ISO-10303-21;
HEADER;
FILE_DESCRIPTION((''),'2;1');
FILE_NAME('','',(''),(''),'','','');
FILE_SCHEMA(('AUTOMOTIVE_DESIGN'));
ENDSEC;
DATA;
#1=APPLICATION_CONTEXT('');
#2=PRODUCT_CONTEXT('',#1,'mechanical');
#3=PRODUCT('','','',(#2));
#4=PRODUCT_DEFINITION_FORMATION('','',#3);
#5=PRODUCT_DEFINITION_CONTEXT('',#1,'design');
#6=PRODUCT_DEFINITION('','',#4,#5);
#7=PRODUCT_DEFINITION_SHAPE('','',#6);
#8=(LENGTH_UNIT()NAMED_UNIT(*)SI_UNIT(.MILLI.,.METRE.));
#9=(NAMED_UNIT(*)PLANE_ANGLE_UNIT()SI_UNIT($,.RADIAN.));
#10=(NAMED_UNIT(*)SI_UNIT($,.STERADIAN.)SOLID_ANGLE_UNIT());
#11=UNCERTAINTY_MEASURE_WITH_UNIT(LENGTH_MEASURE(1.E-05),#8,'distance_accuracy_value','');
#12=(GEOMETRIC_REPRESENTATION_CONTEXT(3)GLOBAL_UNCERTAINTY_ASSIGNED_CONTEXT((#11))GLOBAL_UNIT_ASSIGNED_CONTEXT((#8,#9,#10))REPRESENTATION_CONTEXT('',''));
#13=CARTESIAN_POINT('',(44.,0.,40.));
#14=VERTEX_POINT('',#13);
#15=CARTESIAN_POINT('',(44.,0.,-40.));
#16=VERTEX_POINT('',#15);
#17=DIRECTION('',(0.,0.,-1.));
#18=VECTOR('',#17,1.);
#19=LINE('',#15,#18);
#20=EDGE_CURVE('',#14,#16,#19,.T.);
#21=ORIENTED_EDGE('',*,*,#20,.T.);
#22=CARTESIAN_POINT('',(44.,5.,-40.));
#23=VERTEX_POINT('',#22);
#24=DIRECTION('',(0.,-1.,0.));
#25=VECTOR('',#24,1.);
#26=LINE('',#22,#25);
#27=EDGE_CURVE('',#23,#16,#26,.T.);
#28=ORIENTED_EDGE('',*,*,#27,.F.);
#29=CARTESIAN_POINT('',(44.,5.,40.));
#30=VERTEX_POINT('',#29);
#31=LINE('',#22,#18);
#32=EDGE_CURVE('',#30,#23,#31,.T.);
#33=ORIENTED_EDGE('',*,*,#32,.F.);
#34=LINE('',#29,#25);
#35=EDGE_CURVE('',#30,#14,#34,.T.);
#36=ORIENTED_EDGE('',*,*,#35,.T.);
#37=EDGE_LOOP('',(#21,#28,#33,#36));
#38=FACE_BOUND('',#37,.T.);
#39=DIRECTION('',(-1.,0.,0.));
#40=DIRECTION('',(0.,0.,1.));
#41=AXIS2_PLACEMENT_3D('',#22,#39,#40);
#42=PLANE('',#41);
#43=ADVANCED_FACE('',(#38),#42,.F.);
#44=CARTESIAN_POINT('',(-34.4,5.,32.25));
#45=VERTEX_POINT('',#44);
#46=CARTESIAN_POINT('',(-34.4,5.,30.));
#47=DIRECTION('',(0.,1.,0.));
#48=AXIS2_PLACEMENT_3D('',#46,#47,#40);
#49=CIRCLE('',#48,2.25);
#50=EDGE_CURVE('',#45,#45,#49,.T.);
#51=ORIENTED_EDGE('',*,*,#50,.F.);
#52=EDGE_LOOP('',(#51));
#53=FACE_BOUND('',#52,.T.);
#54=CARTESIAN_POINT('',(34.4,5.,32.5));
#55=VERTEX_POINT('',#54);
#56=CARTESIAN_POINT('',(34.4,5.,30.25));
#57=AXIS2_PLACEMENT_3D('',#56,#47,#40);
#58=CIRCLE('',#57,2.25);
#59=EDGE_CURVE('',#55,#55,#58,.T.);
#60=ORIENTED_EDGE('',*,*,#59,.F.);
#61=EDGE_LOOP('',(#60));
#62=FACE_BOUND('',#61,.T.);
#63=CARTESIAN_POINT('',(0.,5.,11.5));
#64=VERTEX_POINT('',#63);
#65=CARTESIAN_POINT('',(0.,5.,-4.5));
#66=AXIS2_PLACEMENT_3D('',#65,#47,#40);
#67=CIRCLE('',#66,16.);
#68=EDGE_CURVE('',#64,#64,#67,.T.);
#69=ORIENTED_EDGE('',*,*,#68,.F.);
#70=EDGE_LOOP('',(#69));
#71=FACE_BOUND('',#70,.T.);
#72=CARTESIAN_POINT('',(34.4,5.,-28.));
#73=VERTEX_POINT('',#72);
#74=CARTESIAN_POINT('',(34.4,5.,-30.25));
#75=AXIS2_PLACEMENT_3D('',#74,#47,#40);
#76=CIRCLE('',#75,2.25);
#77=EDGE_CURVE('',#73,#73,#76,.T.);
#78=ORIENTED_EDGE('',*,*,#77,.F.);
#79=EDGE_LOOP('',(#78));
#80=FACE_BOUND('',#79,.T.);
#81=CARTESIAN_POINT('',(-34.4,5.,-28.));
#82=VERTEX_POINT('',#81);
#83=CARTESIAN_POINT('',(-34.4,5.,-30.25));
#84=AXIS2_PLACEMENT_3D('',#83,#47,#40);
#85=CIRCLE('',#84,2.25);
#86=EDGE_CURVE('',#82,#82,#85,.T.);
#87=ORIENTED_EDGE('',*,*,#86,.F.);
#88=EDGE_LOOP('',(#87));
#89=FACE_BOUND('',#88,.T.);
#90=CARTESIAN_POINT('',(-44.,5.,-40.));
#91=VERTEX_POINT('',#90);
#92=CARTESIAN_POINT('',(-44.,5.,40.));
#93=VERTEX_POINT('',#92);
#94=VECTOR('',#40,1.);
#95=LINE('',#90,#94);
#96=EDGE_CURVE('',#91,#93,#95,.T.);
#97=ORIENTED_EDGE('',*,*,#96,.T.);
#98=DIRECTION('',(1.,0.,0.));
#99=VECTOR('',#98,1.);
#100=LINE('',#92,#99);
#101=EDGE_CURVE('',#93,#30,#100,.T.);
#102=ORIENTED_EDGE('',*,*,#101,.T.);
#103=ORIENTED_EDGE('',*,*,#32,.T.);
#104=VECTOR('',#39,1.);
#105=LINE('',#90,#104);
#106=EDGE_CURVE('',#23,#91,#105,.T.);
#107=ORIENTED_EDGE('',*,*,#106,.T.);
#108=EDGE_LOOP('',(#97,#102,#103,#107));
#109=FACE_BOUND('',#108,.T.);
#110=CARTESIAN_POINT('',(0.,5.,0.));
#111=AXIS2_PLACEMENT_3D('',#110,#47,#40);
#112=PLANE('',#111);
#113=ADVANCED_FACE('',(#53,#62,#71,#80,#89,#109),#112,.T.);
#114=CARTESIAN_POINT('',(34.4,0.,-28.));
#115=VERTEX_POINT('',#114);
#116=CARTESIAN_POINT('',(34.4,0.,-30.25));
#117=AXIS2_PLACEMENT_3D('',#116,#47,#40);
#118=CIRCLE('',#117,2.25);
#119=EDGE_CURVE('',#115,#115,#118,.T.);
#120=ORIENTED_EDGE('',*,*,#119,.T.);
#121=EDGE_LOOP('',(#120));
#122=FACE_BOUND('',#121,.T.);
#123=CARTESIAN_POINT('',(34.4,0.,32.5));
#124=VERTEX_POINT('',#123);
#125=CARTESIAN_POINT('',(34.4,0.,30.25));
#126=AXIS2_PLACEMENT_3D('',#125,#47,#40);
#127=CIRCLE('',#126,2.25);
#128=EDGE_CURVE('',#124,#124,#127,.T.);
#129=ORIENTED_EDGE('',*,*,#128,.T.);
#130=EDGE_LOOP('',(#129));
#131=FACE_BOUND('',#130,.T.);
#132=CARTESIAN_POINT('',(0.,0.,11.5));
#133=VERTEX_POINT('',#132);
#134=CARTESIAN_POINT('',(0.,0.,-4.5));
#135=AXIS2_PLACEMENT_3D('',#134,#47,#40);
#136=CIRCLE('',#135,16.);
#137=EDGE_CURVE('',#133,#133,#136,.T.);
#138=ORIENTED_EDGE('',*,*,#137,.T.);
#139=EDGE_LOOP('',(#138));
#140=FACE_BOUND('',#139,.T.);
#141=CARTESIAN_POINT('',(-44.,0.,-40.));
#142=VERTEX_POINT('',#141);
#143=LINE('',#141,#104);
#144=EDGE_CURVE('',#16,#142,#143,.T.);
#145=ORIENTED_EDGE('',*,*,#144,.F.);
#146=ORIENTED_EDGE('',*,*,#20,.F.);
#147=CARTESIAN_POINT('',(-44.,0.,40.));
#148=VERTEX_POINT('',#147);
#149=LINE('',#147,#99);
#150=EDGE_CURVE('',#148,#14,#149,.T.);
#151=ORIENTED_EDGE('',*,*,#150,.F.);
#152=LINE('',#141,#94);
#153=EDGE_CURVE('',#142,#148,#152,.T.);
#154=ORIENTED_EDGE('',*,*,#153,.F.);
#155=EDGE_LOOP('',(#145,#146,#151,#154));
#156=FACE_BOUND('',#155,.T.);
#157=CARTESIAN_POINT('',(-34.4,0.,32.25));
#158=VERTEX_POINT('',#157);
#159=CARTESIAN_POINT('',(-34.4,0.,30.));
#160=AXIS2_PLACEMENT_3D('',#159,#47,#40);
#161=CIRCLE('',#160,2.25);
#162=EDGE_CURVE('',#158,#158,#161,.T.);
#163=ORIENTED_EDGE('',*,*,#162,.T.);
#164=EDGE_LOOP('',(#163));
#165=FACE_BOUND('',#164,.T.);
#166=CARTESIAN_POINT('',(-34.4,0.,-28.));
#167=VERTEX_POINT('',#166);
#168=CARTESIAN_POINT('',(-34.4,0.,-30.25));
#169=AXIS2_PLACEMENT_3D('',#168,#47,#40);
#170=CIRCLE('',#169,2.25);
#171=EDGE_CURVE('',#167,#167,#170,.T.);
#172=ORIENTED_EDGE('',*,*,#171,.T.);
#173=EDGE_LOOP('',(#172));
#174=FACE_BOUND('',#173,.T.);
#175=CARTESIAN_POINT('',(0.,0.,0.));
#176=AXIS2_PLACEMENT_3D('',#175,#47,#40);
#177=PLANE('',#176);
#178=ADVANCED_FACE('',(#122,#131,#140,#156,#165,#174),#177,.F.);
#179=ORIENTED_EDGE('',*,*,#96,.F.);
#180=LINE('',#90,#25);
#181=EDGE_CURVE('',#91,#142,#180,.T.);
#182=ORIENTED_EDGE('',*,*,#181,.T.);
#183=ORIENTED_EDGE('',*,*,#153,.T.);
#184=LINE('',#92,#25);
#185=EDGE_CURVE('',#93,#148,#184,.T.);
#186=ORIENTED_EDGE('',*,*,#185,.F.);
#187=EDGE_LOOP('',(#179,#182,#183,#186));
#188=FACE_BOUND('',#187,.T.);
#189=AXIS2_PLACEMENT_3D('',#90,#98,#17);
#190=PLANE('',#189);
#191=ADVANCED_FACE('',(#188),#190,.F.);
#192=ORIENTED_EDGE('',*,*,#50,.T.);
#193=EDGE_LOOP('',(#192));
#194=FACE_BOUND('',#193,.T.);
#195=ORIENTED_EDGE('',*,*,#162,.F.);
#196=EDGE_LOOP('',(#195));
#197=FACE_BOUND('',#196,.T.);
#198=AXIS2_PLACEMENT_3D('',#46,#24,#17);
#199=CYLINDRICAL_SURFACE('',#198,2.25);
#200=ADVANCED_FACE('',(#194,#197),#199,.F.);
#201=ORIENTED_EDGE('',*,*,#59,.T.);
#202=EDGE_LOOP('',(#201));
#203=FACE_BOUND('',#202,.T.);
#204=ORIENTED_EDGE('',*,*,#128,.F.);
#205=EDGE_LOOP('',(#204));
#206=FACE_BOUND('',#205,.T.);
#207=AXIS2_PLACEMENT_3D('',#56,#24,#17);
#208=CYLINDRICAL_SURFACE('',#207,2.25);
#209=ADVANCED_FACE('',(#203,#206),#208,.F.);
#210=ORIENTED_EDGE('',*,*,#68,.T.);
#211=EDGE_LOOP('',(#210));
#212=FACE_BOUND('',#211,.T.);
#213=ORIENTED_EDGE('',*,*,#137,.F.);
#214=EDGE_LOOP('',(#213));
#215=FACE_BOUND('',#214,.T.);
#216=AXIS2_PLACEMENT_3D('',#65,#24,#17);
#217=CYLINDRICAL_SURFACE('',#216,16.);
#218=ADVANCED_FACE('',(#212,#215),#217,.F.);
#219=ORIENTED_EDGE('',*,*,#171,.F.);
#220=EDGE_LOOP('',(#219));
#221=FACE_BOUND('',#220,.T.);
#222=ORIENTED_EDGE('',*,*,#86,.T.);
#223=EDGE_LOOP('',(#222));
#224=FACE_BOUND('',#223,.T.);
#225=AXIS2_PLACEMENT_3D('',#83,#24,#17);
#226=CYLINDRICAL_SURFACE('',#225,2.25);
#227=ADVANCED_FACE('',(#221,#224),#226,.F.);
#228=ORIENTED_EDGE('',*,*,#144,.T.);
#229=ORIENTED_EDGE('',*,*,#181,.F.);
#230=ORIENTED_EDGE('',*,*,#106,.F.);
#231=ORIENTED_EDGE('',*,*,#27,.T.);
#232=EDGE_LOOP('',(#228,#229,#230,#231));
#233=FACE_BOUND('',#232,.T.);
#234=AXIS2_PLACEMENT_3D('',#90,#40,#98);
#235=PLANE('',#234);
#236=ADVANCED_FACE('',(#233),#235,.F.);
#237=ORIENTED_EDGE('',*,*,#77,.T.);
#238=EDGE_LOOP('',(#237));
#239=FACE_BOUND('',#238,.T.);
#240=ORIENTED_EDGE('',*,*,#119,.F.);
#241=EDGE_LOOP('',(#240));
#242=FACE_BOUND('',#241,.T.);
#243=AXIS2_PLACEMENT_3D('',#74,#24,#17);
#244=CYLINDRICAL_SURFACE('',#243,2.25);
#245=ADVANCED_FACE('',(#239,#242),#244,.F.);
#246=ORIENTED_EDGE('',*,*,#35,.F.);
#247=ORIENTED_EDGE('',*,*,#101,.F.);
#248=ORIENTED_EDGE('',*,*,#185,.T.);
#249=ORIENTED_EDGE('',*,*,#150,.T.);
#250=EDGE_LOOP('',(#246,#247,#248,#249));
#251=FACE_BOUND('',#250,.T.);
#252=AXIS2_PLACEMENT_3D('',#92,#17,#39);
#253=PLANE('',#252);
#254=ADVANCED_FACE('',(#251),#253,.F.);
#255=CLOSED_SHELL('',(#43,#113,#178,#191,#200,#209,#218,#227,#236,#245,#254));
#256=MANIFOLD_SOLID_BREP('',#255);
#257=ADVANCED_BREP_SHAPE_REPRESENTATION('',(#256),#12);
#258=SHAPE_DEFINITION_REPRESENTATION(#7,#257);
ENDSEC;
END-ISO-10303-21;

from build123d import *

# Parameters (mm, degrees)
SKETCH_1_W      = 88
SKETCH_1_H      = 80
SKETCH_1_R      = 2.25
SKETCH_1_R_2    = 16
EXTRUDE_1_DEPTH = 5


with BuildPart() as part:
    # Эскиз1 → Бобышка-Вытянуть1 (new body)
    with BuildSketch(Plane(origin=(0, 0, 0), x_dir=(1, 0, 0), z_dir=(0, 1, 0))):
        Rectangle(SKETCH_1_W, SKETCH_1_H)
        with Locations((-34.4, 30.25)):
            Circle(SKETCH_1_R, mode=Mode.SUBTRACT)
        with Locations((34.4, 30.25)):
            Circle(SKETCH_1_R, mode=Mode.SUBTRACT)
        with Locations((34.4, -30.25)):
            Circle(SKETCH_1_R, mode=Mode.SUBTRACT)
        with Locations((-34.4, -30)):
            Circle(SKETCH_1_R, mode=Mode.SUBTRACT)
        with Locations((0, 4.5)):
            Circle(SKETCH_1_R_2, mode=Mode.SUBTRACT)
    extrude(amount=EXTRUDE_1_DEPTH)


solid = part.part
